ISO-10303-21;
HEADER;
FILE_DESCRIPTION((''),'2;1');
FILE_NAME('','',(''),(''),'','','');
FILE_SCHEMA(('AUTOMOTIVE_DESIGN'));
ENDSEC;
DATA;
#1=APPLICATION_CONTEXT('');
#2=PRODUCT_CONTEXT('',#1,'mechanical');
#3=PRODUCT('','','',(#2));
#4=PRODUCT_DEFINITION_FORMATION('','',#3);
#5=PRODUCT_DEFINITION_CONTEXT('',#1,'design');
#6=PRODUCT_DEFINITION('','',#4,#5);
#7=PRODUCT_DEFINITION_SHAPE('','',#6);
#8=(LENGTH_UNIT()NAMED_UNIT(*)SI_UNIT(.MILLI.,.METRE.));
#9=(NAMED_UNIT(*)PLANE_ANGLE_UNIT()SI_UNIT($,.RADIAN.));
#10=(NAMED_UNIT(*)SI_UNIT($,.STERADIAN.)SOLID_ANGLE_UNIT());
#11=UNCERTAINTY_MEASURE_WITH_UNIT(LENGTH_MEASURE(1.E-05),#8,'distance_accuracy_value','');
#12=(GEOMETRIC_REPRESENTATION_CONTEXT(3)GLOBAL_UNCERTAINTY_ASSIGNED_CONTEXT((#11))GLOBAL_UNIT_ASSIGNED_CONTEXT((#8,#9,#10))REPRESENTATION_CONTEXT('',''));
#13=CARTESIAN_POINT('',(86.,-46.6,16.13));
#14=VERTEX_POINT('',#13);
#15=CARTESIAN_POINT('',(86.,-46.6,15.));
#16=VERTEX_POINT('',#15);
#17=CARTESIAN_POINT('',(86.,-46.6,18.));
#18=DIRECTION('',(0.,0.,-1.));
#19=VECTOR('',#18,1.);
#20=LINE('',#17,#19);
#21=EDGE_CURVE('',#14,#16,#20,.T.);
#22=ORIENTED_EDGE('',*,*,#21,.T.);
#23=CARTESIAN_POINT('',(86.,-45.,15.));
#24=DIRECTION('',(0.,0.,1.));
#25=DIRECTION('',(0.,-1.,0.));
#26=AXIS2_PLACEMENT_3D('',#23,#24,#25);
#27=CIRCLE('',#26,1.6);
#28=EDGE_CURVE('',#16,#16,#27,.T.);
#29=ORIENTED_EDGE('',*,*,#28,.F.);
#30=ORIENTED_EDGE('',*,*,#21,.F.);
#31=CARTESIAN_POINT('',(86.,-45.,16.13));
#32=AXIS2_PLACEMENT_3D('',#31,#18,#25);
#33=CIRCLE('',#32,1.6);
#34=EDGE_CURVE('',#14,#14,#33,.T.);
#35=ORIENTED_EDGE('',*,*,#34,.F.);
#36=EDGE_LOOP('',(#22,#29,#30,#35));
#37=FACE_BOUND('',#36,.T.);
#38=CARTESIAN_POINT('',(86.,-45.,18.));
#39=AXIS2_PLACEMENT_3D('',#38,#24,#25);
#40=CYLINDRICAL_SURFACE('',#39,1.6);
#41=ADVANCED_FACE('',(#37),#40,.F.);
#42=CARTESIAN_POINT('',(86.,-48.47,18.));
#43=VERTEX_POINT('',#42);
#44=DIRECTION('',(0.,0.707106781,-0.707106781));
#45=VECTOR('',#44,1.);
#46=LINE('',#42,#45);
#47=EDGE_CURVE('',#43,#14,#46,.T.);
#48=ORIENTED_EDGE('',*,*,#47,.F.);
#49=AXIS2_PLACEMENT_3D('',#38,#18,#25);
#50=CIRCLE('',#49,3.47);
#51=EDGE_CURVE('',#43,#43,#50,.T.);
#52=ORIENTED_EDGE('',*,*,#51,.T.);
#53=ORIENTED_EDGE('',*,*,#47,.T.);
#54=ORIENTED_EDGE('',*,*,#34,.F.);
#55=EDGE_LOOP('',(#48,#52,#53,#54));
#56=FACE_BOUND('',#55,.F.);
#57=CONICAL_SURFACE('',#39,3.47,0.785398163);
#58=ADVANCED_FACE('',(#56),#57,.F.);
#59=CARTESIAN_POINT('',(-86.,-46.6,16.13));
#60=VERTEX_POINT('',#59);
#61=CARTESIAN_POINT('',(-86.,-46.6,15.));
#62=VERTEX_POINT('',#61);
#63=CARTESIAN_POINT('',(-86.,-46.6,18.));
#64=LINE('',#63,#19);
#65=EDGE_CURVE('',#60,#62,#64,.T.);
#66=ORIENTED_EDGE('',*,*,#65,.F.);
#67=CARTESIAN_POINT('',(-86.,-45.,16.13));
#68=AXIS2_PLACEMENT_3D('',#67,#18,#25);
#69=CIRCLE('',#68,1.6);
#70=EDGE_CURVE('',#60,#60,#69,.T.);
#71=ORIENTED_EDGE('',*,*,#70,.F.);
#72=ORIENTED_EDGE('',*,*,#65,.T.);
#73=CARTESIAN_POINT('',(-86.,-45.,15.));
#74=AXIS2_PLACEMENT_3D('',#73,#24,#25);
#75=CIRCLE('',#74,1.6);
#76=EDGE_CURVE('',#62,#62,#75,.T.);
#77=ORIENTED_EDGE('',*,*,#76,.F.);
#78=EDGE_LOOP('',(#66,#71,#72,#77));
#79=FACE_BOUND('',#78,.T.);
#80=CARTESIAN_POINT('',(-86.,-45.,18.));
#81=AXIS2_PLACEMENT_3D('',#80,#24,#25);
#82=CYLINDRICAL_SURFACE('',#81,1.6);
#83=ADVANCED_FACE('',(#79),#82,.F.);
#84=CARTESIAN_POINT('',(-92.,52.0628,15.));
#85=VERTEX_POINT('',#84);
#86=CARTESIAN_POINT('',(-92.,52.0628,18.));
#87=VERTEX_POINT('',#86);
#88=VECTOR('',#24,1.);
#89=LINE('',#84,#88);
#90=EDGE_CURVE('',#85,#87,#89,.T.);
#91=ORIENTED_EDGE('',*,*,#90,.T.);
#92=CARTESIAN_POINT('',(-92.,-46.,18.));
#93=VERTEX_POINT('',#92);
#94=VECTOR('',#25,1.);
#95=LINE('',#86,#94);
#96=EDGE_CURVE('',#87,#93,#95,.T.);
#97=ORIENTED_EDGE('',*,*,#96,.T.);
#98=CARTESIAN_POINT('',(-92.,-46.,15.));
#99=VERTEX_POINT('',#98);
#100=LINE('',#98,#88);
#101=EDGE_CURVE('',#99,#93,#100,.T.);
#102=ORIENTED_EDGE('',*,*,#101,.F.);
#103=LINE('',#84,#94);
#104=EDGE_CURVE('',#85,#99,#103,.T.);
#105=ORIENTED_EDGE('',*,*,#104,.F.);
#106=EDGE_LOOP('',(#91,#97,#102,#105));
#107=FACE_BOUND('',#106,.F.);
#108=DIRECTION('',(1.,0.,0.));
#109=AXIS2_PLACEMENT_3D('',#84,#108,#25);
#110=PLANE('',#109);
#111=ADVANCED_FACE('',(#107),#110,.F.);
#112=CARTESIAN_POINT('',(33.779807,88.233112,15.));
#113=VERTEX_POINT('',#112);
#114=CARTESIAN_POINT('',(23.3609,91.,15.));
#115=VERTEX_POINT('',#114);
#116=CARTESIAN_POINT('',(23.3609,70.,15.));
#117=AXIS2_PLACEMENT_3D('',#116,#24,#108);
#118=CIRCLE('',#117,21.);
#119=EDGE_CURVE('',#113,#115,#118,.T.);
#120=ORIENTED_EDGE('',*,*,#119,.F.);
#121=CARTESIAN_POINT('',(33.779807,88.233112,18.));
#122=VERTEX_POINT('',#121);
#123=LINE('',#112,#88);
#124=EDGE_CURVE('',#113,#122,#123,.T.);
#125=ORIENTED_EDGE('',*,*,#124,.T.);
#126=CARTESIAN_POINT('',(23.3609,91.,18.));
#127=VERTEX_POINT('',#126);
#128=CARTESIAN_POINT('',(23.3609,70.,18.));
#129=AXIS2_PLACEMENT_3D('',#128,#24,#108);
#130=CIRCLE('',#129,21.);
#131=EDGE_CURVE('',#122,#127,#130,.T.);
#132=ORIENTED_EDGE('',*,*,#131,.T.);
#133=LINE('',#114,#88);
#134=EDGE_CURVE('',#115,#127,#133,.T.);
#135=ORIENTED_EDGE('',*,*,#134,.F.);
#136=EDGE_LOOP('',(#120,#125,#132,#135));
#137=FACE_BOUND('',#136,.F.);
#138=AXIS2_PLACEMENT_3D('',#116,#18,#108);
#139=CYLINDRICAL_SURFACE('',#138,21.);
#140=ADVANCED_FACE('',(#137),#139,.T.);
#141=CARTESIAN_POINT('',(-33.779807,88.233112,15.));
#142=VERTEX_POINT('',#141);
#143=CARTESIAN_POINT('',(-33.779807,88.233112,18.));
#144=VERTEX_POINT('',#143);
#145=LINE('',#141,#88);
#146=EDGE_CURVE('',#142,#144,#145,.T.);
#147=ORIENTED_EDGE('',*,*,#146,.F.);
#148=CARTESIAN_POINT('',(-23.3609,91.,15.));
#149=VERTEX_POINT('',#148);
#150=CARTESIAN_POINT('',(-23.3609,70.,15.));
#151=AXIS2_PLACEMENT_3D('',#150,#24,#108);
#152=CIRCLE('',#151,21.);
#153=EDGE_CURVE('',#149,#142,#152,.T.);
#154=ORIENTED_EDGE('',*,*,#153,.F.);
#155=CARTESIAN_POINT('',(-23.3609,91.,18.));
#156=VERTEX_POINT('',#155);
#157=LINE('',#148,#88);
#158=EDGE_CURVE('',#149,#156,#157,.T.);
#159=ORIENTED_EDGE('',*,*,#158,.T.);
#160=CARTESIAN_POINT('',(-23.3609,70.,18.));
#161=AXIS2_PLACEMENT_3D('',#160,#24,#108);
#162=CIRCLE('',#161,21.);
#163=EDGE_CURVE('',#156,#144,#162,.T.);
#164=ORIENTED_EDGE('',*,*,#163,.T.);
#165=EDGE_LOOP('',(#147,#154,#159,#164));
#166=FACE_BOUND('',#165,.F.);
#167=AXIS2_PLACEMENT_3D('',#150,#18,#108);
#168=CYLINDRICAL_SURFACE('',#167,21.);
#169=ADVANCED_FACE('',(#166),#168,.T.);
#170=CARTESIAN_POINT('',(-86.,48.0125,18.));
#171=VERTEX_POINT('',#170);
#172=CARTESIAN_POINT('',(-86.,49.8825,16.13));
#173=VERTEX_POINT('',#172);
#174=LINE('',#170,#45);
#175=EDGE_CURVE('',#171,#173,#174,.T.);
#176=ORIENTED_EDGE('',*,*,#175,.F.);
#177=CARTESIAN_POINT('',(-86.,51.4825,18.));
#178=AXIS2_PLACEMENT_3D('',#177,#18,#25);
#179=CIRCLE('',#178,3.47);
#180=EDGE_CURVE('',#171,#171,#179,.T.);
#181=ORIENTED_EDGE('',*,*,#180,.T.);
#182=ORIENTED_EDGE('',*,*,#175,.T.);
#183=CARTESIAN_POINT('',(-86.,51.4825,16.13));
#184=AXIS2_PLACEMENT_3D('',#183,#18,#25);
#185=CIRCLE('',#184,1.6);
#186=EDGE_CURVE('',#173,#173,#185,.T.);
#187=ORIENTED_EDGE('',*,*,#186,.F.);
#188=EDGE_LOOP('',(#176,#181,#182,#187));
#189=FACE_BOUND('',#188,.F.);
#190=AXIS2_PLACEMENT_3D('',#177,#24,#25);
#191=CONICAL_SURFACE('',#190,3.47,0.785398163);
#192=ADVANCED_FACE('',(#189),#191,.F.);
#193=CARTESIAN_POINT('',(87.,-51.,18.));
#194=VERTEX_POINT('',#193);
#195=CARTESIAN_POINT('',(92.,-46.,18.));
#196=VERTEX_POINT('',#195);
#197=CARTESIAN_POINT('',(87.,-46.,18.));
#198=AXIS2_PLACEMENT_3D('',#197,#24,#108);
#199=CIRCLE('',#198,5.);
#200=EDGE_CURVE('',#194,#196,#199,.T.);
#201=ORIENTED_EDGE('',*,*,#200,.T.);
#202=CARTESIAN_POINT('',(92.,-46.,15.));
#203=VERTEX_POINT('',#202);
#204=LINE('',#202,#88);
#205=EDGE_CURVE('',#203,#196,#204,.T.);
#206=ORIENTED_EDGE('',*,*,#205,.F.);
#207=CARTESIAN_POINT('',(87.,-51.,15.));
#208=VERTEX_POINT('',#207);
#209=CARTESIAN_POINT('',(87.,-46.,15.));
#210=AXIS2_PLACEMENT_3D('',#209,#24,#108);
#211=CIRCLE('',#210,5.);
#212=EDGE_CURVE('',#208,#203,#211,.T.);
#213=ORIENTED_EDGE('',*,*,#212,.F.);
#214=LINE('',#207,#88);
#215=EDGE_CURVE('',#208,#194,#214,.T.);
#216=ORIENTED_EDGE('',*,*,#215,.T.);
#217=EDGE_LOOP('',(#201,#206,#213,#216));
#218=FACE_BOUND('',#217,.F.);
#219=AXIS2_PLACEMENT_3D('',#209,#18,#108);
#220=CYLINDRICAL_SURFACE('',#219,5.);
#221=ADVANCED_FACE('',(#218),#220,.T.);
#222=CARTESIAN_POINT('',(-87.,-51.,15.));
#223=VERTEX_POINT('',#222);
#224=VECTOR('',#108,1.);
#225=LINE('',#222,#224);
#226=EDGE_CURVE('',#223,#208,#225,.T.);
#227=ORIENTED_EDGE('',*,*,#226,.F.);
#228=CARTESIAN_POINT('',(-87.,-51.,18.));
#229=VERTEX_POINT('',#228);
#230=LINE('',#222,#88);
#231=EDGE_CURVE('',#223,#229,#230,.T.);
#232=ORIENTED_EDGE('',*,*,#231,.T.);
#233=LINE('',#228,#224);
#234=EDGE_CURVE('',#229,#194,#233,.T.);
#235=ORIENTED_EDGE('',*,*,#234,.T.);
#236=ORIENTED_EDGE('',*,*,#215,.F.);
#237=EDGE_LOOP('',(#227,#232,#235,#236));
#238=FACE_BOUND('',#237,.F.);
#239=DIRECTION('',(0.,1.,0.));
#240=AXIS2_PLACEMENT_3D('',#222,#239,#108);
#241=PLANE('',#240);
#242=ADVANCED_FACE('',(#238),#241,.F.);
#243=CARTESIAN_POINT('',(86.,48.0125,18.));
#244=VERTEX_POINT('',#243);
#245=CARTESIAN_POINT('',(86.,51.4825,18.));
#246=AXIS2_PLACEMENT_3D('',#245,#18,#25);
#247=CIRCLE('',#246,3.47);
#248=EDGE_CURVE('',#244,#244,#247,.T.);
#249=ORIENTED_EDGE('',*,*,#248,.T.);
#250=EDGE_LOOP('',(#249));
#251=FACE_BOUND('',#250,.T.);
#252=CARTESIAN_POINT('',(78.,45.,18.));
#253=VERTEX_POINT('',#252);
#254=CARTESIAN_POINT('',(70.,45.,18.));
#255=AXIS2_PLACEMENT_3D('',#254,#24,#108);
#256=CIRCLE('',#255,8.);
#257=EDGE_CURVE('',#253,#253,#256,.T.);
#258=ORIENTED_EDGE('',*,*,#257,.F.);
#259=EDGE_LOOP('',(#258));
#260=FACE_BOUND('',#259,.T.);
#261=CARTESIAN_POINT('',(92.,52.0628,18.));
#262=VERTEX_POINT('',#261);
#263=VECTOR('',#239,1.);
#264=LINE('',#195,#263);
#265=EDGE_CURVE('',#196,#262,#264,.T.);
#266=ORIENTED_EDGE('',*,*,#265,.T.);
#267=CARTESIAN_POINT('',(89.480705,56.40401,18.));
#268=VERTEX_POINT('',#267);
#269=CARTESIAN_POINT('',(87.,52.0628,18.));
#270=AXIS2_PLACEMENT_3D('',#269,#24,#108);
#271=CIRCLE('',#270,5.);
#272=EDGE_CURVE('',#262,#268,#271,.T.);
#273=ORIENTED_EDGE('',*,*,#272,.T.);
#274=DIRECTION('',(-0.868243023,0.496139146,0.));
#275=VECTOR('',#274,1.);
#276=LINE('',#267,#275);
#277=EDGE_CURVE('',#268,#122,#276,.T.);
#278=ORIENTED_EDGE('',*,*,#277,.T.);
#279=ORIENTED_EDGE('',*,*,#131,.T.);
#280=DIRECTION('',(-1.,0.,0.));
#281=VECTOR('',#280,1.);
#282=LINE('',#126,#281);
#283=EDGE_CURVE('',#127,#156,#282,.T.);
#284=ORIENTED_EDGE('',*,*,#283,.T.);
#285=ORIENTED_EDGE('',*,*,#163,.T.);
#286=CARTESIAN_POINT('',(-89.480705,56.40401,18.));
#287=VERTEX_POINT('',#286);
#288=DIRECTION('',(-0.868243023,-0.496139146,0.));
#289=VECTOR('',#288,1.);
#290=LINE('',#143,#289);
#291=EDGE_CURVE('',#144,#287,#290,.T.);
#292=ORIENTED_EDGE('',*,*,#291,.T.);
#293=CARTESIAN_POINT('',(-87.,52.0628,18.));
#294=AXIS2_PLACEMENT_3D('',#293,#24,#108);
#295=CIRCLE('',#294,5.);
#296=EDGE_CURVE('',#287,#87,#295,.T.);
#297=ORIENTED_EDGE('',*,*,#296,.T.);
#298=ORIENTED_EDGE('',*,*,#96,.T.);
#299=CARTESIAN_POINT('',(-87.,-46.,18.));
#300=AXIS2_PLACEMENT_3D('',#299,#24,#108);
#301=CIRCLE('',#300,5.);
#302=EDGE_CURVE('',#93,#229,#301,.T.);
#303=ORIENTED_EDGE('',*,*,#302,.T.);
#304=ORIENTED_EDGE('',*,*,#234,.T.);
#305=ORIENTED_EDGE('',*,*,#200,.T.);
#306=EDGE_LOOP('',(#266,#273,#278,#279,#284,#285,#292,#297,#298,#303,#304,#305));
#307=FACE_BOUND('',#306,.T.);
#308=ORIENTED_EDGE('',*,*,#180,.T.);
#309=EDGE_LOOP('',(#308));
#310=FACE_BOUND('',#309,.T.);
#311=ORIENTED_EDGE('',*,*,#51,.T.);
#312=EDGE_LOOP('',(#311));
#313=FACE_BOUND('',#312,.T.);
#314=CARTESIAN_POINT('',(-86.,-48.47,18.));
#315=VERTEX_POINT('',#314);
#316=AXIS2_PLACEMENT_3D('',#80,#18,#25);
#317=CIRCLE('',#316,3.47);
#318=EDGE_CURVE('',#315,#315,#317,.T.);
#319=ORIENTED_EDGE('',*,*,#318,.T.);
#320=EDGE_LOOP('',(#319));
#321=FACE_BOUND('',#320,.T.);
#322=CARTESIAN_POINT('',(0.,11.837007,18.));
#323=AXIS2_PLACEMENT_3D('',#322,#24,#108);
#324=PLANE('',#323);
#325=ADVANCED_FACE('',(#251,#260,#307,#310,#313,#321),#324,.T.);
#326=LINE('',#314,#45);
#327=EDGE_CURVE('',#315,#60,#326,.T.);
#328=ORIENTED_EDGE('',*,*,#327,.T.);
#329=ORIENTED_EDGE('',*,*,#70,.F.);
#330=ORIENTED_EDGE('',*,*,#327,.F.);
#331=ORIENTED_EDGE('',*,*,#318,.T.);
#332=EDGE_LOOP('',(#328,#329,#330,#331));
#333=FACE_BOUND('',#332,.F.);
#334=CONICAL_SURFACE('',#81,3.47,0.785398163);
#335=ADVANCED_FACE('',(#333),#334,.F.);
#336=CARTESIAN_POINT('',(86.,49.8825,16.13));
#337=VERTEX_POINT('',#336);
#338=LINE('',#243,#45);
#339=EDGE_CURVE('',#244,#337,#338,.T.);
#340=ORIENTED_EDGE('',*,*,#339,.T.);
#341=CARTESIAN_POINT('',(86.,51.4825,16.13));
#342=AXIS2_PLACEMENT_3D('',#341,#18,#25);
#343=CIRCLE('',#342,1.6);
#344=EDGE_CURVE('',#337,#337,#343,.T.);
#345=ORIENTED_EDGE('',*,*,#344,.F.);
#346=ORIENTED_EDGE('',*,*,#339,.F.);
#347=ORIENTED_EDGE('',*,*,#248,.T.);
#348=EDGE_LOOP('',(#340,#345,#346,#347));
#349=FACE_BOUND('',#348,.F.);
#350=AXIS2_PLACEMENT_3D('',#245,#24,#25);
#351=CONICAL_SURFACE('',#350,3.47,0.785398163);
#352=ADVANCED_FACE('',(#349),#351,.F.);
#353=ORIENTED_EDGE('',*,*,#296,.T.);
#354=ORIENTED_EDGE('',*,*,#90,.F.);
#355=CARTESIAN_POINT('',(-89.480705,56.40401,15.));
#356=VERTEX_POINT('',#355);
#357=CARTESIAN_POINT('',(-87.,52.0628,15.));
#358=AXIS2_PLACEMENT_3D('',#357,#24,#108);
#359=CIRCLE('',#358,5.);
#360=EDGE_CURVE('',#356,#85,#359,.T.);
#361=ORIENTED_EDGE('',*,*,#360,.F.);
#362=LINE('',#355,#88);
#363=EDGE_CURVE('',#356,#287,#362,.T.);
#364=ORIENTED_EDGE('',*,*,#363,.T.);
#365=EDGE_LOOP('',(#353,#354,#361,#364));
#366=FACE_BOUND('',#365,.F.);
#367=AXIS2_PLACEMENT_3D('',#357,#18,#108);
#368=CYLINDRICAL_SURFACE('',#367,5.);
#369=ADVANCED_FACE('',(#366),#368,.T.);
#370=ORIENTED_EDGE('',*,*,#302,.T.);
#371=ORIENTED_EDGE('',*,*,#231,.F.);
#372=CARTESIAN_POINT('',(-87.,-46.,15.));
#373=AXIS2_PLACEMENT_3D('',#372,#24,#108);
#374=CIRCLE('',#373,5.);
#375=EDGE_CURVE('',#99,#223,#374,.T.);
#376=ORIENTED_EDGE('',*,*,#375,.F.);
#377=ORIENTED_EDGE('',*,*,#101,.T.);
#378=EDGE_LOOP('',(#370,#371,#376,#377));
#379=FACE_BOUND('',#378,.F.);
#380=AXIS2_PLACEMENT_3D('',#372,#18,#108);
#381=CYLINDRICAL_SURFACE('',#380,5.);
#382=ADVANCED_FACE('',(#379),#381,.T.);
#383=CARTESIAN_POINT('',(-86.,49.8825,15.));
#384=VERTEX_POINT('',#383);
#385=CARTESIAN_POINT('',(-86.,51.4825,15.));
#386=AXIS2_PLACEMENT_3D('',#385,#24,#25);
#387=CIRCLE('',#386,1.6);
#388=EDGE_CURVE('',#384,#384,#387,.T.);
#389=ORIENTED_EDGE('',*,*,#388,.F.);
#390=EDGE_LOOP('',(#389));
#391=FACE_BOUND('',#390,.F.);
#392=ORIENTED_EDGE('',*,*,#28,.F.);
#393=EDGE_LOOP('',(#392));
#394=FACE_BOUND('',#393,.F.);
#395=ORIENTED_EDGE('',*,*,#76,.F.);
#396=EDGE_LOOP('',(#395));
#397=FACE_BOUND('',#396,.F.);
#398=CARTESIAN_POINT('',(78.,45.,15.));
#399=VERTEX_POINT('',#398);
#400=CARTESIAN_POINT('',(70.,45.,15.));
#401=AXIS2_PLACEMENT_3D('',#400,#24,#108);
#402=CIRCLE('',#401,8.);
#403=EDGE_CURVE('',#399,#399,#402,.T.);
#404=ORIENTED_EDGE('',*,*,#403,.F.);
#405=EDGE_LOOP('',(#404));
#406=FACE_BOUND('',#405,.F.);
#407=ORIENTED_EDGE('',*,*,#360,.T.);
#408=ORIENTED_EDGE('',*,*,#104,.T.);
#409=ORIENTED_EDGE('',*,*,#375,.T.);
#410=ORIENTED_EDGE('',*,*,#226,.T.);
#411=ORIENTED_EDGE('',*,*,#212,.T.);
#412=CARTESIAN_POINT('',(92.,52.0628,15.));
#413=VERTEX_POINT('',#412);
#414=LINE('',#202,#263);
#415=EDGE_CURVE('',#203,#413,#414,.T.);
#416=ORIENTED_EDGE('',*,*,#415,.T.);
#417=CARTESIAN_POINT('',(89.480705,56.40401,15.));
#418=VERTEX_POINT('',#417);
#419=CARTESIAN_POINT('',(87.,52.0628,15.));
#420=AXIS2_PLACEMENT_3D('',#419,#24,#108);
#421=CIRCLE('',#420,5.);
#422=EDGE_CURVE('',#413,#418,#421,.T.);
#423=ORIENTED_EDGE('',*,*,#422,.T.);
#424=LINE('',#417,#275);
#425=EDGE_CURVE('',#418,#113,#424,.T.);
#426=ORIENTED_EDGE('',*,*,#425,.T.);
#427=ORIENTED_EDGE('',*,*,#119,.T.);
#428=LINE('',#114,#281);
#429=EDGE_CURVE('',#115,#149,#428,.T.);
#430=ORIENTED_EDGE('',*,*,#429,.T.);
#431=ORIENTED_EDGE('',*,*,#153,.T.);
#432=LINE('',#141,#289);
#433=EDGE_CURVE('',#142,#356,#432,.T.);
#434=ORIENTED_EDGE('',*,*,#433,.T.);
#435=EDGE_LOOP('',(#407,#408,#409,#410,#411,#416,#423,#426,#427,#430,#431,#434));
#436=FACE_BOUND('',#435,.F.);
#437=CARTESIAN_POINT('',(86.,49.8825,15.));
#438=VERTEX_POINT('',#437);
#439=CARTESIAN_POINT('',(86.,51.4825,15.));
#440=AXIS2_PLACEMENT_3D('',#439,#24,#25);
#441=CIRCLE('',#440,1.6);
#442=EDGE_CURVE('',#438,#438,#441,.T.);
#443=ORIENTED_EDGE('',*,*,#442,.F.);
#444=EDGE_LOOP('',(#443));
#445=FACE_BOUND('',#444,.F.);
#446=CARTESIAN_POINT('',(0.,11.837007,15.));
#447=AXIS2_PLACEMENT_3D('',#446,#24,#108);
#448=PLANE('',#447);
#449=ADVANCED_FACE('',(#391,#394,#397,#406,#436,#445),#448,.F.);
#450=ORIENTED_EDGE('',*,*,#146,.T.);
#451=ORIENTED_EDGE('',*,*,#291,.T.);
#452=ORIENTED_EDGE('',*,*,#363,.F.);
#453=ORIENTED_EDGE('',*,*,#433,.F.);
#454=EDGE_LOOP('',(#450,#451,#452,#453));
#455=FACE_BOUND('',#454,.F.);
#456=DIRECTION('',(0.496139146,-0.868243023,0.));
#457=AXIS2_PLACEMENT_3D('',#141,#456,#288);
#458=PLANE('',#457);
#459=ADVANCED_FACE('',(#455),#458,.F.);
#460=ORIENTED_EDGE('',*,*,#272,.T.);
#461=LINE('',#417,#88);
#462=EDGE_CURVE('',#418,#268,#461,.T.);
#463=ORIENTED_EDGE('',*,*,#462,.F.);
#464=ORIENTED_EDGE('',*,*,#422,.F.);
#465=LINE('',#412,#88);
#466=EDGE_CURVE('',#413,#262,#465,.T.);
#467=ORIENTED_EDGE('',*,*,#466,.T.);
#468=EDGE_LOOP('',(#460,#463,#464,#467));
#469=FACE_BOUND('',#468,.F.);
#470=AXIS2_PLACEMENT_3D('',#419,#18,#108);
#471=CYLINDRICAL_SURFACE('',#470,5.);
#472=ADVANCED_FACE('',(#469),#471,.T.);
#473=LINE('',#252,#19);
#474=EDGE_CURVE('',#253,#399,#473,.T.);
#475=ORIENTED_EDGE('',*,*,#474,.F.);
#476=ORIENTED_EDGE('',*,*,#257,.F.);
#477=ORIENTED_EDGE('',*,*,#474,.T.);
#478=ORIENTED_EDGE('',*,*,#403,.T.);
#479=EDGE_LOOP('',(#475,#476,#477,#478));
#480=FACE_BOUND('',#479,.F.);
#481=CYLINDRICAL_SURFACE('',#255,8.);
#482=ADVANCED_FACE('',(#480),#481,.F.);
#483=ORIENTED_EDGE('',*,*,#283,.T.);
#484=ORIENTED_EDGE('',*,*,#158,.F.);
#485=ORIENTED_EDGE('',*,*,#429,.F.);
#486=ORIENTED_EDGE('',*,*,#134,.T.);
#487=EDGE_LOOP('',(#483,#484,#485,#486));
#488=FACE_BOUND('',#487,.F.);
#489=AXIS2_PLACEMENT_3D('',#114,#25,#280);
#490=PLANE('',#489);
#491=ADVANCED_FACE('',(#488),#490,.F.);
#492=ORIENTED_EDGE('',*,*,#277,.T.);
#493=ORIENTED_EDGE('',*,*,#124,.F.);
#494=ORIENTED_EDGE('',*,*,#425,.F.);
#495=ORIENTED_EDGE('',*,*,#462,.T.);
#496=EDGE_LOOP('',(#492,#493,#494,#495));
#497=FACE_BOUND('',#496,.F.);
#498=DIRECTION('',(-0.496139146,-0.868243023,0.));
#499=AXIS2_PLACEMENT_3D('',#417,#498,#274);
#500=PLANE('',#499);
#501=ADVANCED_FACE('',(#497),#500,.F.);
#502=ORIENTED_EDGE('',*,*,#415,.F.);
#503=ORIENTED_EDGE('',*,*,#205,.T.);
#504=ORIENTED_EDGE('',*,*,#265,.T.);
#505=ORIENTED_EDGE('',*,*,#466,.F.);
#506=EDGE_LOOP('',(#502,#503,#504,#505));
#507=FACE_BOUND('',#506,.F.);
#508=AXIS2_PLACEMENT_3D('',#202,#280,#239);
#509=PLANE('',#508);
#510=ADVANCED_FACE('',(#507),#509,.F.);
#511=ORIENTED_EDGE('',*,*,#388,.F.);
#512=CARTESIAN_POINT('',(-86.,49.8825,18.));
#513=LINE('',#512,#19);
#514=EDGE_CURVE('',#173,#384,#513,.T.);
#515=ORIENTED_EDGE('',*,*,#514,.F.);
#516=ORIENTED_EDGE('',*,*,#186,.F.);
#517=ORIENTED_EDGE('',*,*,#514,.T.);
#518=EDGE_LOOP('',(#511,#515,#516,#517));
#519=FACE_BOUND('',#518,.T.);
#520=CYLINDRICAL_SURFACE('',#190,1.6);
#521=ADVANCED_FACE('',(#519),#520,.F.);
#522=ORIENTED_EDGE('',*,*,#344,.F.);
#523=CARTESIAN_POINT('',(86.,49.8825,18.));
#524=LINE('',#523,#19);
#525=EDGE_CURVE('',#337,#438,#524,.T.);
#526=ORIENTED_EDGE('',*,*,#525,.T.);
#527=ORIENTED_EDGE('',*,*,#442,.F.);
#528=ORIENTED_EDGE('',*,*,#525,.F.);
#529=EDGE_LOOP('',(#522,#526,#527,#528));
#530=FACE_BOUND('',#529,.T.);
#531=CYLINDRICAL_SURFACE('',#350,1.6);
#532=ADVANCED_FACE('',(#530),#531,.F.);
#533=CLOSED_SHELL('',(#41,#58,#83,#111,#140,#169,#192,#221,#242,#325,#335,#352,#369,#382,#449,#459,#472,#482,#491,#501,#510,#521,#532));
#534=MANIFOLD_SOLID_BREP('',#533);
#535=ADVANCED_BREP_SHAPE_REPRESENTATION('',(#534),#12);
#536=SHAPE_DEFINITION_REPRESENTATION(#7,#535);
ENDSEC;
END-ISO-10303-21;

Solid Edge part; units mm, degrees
sketch "Sketch1" plane through (0, 0, 15) normal (0, 0, 1) x (1, 0, 0)
  line L0 (-92, 52.0628) -> (-92, -46)
  arc A0 (-92, -46) -> (-87, -51) centre (-87, -46) ccw
  line L1 (-87, -51) -> (87, -51)
  arc A1 (87, -51) -> (92, -46) centre (87, -46) ccw
  line L2 (92, -46) -> (92, 52.0628)
  arc A2 (92, 52.0628) -> (89.4807, 56.404) centre (87, 52.0628) ccw
  line L3 (89.4807, 56.404) -> (33.7798, 88.2331)
  arc A3 (33.7798, 88.2331) -> (23.3609, 91) centre (23.3609, 70) ccw
  line L4 (23.3609, 91) -> (-23.3609, 91)
  arc A4 (-23.3609, 91) -> (-33.7798, 88.2331) centre (-23.3609, 70) ccw
  line L5 (-33.7798, 88.2331) -> (-89.4807, 56.404)
  arc A5 (-89.4807, 56.404) -> (-92, 52.0628) centre (-87, 52.0628) ccw
extrude "Protrusion1" add sketch "Sketch1" along normal blind 3
hole "Bohrung_1" at (-86, 51.4825, 18) direction (0, 0, -1) diameter 3.2 end through all countersink diameter 6.94 countersink angle 90
hole "Hole1" at (86, 51.4825, 18) direction (0, 0, -1) diameter 3.2 end through all countersink diameter 6.94 countersink angle 90
hole "Hole2" at (86, -45, 18) direction (0, 0, -1) diameter 3.2 end through all countersink diameter 6.94 countersink angle 90
hole "Hole3" at (-86, -45, 18) direction (0, 0, -1) diameter 3.2 end through all countersink diameter 6.94 countersink angle 90
sketch "Sketch2" plane through (0, 20, 18) normal (0, 0, 1) x (1, 0, 0)
  circle A0 centre (70, 25) radius 8
  dimension "D1" = 16
  dimension "D2" = 45
  dimension "D3" = 70
extrude "Cutout1" cut sketch "Sketch2" against normal through all
